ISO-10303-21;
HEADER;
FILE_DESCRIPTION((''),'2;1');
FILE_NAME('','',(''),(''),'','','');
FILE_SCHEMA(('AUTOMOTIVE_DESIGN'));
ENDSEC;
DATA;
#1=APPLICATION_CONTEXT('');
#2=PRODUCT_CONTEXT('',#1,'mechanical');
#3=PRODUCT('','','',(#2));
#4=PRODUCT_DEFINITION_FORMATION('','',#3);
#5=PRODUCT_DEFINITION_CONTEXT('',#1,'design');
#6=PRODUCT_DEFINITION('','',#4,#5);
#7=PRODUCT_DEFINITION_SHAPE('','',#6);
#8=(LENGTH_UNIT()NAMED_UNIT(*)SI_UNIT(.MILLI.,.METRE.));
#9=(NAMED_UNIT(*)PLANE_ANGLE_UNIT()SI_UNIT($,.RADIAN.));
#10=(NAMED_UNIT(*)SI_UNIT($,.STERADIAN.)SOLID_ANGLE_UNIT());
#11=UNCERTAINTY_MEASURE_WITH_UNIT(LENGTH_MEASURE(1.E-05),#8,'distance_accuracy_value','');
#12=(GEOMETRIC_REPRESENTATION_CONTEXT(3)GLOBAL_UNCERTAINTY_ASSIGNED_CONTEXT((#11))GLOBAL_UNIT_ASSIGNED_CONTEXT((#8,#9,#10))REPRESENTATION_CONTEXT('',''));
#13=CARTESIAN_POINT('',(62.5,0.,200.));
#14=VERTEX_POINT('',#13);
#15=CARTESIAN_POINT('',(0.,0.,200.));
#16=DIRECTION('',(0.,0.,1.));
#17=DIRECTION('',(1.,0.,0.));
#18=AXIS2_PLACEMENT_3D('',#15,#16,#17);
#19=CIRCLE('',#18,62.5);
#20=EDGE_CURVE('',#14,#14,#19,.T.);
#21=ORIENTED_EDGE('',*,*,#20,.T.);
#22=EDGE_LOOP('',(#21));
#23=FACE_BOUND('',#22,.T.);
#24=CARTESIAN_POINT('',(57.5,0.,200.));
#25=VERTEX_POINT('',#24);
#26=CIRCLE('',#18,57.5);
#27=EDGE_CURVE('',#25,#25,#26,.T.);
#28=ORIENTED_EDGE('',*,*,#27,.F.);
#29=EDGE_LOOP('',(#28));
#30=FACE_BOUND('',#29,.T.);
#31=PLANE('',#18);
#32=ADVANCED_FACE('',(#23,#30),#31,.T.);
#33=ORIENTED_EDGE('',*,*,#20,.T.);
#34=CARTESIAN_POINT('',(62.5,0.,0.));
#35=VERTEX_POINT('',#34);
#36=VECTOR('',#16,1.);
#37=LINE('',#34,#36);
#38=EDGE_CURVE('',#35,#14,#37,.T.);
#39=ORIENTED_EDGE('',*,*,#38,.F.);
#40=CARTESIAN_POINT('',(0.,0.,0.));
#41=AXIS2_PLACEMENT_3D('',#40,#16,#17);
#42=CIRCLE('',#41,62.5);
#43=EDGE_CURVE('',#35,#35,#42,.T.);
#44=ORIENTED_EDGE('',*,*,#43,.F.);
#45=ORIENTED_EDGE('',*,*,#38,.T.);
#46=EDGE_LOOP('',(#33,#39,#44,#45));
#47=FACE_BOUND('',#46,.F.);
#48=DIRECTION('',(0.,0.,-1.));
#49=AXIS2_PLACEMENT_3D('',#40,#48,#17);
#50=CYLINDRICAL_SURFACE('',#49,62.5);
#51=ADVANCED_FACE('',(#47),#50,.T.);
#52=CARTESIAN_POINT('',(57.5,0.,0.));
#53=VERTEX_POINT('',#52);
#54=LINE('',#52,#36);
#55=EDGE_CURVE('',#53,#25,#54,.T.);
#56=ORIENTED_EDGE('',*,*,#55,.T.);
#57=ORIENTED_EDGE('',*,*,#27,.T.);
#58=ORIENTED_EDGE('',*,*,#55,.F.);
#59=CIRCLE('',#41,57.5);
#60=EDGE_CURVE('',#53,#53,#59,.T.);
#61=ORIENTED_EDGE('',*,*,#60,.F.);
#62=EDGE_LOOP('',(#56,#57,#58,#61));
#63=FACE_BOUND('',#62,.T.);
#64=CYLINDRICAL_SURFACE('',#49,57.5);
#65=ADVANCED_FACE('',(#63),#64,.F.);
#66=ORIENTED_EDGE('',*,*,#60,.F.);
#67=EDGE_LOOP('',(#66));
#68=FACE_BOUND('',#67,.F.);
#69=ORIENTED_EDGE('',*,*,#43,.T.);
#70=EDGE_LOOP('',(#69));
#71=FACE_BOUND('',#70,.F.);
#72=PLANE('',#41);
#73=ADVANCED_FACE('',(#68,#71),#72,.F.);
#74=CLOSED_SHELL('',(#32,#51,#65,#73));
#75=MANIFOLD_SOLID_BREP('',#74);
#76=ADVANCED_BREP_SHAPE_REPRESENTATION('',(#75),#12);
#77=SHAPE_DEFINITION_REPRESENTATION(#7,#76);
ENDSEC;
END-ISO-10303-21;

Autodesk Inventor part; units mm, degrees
ref_plane "YZ Plane" through (0, 0, 0) normal (1, 0, 0) x (0, 1, 0)
ref_plane "XZ Plane" through (0, 0, 0) normal (0, 1, 0) x (-1, 0, 0)
ref_plane "XY Plane" through (0, 0, 0) normal (0, 0, 1) x (1, 0, 0)
sketch "Sketch1" plane through (0, 0, 0) normal (0, 0, 1) x (1, 0, 0)
  circle A0 centre (0, 0) radius 62.5
  circle A1 centre (0, 0) radius 57.5
  dimension "d0" = 125
  dimension "d1" = 5
extrude "Extrusion1" add sketch "Sketch1" along normal blind 200
properties part number "ДМС 050 труба илоотвода"
